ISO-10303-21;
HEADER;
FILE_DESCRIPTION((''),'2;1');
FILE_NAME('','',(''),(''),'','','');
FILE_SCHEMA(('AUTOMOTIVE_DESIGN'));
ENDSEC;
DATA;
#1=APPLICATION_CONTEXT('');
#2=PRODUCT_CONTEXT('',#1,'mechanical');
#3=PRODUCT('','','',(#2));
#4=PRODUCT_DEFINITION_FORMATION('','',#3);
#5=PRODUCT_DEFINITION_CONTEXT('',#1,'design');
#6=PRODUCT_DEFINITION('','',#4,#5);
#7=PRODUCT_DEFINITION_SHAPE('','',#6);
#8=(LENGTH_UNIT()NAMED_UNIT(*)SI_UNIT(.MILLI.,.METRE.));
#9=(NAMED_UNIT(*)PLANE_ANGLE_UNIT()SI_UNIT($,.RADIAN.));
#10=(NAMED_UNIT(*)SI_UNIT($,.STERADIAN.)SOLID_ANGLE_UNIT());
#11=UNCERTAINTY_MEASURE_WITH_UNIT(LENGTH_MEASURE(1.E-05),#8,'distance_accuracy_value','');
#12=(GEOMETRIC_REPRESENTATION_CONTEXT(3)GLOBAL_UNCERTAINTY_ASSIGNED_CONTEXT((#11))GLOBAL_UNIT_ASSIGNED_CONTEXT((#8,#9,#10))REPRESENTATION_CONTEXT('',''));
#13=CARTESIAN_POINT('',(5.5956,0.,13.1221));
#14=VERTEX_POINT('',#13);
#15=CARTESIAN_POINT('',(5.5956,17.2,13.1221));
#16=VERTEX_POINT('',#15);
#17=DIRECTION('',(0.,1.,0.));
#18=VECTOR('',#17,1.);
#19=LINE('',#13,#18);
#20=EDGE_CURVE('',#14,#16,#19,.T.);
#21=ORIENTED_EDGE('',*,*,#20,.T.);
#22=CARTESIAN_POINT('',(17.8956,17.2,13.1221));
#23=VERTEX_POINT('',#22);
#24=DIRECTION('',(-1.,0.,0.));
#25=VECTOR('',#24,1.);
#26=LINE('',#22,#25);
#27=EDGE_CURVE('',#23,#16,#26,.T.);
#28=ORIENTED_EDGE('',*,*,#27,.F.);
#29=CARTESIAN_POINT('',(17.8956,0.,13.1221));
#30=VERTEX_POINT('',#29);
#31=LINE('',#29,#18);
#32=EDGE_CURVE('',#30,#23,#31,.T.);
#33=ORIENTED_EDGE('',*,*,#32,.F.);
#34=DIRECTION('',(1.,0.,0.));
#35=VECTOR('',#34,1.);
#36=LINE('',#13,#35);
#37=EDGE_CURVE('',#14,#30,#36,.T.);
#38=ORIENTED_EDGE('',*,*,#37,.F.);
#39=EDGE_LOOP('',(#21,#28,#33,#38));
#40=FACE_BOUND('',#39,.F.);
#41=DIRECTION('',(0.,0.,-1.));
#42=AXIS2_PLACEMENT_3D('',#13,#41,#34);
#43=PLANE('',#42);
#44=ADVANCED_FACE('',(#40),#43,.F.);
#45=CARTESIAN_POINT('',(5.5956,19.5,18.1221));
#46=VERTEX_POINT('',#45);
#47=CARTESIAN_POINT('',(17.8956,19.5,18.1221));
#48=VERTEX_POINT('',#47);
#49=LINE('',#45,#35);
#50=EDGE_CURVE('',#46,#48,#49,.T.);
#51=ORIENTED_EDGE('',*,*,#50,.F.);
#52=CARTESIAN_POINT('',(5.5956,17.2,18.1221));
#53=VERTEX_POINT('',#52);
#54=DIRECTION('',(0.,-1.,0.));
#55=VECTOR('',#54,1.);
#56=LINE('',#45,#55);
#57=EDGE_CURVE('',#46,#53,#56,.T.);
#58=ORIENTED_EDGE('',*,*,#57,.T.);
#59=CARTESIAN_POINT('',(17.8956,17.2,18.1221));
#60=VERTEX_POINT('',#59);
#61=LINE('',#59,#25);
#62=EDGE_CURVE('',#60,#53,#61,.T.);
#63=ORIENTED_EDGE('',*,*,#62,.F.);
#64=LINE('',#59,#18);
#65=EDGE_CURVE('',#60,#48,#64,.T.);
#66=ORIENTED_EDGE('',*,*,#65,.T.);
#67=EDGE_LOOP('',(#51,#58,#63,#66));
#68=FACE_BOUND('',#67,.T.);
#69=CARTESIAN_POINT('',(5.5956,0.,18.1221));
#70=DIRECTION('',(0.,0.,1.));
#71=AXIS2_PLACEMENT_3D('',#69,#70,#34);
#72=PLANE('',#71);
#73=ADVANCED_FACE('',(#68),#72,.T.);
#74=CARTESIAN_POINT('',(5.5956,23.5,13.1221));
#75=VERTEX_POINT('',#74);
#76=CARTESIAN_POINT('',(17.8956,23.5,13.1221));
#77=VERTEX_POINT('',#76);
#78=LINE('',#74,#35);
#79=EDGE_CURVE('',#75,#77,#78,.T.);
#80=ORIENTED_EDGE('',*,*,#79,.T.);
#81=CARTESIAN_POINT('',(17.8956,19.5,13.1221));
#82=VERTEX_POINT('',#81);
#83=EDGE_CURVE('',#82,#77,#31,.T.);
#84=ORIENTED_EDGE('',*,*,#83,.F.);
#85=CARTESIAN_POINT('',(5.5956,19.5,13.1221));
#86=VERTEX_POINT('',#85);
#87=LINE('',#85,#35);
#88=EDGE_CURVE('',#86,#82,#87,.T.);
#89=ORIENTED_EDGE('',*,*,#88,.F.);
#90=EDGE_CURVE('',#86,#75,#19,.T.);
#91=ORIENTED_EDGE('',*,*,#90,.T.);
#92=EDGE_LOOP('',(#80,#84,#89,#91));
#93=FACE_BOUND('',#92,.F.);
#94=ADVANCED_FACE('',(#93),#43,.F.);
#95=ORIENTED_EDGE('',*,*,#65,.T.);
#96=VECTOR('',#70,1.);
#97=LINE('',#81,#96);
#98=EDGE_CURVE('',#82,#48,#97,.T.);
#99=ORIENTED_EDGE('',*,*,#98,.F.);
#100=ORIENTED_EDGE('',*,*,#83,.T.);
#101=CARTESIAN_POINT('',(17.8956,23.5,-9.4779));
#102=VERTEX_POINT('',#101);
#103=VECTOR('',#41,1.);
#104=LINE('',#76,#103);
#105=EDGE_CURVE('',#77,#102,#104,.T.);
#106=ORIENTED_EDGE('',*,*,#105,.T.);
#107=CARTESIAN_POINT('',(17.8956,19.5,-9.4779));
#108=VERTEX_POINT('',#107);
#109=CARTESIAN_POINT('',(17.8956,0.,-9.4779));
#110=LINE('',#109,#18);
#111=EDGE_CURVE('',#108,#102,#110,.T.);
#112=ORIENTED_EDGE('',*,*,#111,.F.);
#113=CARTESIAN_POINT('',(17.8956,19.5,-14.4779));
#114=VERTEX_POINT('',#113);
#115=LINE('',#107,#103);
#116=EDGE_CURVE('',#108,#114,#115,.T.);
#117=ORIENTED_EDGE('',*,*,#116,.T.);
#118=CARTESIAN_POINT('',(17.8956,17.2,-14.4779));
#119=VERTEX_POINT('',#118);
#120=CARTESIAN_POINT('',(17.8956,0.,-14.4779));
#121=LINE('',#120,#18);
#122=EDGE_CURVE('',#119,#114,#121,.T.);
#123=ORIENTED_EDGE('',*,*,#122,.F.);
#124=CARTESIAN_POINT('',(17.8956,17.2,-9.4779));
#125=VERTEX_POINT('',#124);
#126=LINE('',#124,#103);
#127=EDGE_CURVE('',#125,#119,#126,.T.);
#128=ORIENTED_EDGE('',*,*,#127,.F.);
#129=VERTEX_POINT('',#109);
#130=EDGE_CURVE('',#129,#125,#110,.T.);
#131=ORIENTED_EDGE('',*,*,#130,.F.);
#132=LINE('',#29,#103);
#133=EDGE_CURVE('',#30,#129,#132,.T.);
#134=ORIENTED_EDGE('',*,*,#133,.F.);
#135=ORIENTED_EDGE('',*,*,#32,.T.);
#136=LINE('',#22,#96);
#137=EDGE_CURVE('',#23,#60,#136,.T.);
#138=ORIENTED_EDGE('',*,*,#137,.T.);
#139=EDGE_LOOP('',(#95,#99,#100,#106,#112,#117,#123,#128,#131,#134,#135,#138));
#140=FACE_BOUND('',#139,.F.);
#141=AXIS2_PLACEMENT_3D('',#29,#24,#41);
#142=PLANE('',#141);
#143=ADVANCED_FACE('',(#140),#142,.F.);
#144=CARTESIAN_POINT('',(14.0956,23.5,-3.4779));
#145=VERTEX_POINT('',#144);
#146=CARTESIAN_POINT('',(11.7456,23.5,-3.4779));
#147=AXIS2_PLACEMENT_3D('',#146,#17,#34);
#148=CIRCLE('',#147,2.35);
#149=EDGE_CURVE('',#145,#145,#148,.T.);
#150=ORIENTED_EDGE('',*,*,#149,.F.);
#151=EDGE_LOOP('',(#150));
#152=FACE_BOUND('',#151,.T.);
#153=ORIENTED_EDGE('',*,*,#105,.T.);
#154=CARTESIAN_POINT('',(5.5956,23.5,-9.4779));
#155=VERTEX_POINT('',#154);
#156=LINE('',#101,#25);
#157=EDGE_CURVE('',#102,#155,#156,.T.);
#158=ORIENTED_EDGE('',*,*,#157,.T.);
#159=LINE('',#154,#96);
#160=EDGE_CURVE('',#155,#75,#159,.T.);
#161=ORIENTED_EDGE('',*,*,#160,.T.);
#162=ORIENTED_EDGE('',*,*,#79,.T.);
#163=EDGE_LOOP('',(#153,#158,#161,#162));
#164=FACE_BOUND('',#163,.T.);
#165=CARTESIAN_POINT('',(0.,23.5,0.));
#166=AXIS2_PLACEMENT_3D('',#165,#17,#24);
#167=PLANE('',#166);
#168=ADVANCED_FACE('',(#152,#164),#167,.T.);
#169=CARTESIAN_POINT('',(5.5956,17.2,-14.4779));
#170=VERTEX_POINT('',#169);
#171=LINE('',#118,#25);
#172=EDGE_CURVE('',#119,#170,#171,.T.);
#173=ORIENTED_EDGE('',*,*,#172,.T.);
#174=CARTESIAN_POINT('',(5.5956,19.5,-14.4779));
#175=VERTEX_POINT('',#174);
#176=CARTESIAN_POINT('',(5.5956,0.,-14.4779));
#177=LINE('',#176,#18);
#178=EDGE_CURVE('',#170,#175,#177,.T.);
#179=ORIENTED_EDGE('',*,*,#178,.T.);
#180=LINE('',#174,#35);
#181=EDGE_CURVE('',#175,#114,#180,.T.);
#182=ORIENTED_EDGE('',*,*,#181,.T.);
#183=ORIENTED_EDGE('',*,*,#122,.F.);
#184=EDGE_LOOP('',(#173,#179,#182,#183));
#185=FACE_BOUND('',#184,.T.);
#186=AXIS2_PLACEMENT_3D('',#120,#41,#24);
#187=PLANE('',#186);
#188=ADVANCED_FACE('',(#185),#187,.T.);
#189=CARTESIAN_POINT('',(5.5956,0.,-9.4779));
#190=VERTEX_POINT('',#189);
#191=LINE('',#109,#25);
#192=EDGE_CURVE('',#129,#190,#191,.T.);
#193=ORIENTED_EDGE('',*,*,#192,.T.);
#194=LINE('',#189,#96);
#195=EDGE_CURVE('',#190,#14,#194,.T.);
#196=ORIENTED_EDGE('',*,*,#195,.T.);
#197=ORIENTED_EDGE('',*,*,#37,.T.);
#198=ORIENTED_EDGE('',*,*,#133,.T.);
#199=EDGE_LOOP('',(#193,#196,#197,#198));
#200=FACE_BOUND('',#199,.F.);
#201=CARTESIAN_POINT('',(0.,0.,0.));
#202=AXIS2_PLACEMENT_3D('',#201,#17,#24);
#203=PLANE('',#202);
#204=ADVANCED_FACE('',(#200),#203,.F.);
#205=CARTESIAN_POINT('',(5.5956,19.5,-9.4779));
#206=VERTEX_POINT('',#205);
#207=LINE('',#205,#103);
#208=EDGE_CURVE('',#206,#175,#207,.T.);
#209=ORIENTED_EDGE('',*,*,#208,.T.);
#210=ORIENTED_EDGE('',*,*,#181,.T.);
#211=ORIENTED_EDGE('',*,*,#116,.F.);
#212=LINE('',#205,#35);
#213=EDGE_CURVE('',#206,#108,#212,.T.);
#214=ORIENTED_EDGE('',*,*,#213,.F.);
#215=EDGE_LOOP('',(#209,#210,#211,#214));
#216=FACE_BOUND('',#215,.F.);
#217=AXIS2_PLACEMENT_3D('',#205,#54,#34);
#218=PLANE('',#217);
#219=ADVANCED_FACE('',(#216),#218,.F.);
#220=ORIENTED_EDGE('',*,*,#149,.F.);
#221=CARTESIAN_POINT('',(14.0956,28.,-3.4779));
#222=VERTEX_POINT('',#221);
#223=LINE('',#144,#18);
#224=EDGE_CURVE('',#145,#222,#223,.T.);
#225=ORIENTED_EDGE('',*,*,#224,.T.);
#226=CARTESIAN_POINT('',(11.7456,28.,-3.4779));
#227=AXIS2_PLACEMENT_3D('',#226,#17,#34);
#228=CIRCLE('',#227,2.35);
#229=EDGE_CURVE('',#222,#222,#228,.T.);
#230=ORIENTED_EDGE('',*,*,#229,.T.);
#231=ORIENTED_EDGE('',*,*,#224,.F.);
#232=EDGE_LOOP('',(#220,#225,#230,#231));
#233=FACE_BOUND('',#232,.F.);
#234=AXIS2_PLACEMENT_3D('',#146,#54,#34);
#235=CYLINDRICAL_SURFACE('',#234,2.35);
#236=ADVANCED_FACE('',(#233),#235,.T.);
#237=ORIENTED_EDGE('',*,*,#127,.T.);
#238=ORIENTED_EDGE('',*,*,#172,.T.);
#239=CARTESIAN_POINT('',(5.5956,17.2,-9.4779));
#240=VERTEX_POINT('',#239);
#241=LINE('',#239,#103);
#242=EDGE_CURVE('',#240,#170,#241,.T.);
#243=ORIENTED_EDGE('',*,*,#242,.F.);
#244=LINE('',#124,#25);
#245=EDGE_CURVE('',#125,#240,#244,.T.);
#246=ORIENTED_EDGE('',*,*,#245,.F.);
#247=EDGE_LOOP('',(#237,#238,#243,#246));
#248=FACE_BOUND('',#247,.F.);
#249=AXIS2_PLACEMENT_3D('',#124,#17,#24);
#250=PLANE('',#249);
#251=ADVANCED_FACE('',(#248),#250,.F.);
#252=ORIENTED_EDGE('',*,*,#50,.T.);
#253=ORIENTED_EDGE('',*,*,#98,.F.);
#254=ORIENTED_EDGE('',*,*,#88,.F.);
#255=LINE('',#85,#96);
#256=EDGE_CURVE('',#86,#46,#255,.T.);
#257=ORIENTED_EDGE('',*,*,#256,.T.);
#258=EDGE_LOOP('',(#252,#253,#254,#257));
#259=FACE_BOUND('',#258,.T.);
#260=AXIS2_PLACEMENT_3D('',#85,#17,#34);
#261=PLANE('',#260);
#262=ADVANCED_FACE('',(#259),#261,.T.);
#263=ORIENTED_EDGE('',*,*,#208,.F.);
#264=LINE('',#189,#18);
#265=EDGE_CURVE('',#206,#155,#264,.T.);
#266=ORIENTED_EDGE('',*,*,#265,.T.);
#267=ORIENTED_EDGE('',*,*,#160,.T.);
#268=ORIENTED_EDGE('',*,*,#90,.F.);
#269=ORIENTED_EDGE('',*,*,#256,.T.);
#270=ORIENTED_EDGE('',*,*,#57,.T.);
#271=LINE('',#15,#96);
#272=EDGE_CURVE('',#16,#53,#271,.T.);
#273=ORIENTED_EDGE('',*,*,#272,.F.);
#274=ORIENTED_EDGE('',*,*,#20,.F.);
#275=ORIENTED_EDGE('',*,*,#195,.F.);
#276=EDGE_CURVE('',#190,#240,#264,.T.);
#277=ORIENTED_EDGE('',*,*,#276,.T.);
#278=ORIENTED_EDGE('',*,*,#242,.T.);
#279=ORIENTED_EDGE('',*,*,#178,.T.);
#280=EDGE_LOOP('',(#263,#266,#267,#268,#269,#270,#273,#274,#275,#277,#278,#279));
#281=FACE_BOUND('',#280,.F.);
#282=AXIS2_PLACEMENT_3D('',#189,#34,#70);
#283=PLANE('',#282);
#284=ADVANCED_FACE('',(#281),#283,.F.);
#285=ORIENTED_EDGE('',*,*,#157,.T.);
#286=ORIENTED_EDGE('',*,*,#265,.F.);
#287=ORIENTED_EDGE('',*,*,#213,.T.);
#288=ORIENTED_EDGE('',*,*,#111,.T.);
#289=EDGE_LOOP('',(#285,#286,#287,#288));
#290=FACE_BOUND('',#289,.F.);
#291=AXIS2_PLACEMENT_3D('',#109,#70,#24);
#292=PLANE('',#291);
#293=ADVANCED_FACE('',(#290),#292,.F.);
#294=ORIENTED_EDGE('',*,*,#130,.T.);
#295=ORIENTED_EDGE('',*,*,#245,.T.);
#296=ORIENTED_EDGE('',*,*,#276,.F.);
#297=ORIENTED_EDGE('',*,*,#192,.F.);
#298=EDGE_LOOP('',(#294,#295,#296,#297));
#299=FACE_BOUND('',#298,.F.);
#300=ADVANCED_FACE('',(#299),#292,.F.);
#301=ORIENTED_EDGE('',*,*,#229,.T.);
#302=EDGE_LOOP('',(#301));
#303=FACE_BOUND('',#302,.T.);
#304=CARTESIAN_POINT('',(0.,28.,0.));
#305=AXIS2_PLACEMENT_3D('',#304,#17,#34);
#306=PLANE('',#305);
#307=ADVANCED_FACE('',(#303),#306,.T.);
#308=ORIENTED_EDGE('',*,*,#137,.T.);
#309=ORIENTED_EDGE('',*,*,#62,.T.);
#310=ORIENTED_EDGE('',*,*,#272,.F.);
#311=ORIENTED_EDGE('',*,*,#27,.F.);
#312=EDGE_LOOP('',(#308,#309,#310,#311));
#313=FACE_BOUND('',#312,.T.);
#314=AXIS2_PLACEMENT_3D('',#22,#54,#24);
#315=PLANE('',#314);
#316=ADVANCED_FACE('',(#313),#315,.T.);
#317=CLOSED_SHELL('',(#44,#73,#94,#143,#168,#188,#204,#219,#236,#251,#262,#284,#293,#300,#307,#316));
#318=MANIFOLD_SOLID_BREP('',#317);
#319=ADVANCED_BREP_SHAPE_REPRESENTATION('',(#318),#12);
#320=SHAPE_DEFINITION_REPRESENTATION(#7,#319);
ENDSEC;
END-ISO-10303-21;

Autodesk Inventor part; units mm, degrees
ref_plane "YZ Plane" through (0, 0, 0) normal (1, 0, 0) x (0, 1, 0)
ref_plane "XZ Plane" through (0, 0, 0) normal (0, 1, 0) x (-1, 0, 0)
ref_plane "XY Plane" through (0, 0, 0) normal (0, 0, 1) x (1, 0, 0)
sketch "Sketch1" plane through (0, 0, 0) normal (0, 1, 0) x (-1, 0, 0)
  line L0 (-17.8956, 13.1221) -> (-17.8956, -9.4779)
  line L1 (-17.8956, -9.4779) -> (-5.5956, -9.4779)
  line L2 (-5.5956, -9.4779) -> (-5.5956, 13.1221)
  line L3 (-5.5956, 13.1221) -> (-17.8956, 13.1221)
  point P0 (0, 0)
  dimension "d0" = 22.6
  dimension "d1" = 12.3
extrude "Extrusion1" add sketch "Sketch1" along normal blind 23.5
sketch "Sketch2" plane through (17.8956, 0, -9.4779) normal (0, 0, -1) x (-1, 0, 0)
  line L0 (0, 0) -> (0, 23.5) projected
  line L1 (12.3, 0) -> (12.3, 23.5) projected
  line L2 (0, 17.2) -> (12.3, 17.2)
  line L3 (12.3, 17.2) -> (12.3, 19.5)
  line L4 (12.3, 19.5) -> (0, 19.5)
  line L5 (0, 19.5) -> (0, 17.2)
  line L6 (0, 0) -> (12.3, 0) projected
  point P0 (17.8956, 0)
  point P1 (0, 19.5)
  dimension "d4" = 17.2
  dimension "d5" = 2.3
extrude "Extrusion2" add sketch "Sketch2" along normal blind 5 contours L0 L4 L1 L2
sketch "Sketch3" plane through (5.5956, 0, 13.1221) normal (0, 0, 1) x (1, 0, 0)
  line L0 (0, 19.5) -> (12.3, 19.5) projected
  line L1 (12.3, 17.2) -> (0, 17.2) projected
  line L2 (12.3, 19.5) -> (0, 19.5)
  line L3 (0, 19.5) -> (0, 17.2)
  line L4 (0, 17.2) -> (12.3, 17.2)
  line L5 (12.3, 17.2) -> (12.3, 19.5)
  point P0 (-5.5956, 0)
  point P1 (0, 19.5)
  point P2 (12.3, 17.2)
extrude "Extrusion3" add sketch "Sketch3" along normal blind 5
sketch "Sketch4" plane through (0, 23.5, 0) normal (0, 1, 0) x (1, 0, 0)
  circle A0 centre (11.7456, 3.4779) radius 2.35
  line L0 (17.8956, 9.4779) -> (5.5956, 9.4779) projected
  point P0 (0, 0)
  dimension "d10" = 4.7
  dimension "d11" = 6
extrude "Extrusion4" add sketch "Sketch4" along normal blind 4.5
properties part number "testingservo"
